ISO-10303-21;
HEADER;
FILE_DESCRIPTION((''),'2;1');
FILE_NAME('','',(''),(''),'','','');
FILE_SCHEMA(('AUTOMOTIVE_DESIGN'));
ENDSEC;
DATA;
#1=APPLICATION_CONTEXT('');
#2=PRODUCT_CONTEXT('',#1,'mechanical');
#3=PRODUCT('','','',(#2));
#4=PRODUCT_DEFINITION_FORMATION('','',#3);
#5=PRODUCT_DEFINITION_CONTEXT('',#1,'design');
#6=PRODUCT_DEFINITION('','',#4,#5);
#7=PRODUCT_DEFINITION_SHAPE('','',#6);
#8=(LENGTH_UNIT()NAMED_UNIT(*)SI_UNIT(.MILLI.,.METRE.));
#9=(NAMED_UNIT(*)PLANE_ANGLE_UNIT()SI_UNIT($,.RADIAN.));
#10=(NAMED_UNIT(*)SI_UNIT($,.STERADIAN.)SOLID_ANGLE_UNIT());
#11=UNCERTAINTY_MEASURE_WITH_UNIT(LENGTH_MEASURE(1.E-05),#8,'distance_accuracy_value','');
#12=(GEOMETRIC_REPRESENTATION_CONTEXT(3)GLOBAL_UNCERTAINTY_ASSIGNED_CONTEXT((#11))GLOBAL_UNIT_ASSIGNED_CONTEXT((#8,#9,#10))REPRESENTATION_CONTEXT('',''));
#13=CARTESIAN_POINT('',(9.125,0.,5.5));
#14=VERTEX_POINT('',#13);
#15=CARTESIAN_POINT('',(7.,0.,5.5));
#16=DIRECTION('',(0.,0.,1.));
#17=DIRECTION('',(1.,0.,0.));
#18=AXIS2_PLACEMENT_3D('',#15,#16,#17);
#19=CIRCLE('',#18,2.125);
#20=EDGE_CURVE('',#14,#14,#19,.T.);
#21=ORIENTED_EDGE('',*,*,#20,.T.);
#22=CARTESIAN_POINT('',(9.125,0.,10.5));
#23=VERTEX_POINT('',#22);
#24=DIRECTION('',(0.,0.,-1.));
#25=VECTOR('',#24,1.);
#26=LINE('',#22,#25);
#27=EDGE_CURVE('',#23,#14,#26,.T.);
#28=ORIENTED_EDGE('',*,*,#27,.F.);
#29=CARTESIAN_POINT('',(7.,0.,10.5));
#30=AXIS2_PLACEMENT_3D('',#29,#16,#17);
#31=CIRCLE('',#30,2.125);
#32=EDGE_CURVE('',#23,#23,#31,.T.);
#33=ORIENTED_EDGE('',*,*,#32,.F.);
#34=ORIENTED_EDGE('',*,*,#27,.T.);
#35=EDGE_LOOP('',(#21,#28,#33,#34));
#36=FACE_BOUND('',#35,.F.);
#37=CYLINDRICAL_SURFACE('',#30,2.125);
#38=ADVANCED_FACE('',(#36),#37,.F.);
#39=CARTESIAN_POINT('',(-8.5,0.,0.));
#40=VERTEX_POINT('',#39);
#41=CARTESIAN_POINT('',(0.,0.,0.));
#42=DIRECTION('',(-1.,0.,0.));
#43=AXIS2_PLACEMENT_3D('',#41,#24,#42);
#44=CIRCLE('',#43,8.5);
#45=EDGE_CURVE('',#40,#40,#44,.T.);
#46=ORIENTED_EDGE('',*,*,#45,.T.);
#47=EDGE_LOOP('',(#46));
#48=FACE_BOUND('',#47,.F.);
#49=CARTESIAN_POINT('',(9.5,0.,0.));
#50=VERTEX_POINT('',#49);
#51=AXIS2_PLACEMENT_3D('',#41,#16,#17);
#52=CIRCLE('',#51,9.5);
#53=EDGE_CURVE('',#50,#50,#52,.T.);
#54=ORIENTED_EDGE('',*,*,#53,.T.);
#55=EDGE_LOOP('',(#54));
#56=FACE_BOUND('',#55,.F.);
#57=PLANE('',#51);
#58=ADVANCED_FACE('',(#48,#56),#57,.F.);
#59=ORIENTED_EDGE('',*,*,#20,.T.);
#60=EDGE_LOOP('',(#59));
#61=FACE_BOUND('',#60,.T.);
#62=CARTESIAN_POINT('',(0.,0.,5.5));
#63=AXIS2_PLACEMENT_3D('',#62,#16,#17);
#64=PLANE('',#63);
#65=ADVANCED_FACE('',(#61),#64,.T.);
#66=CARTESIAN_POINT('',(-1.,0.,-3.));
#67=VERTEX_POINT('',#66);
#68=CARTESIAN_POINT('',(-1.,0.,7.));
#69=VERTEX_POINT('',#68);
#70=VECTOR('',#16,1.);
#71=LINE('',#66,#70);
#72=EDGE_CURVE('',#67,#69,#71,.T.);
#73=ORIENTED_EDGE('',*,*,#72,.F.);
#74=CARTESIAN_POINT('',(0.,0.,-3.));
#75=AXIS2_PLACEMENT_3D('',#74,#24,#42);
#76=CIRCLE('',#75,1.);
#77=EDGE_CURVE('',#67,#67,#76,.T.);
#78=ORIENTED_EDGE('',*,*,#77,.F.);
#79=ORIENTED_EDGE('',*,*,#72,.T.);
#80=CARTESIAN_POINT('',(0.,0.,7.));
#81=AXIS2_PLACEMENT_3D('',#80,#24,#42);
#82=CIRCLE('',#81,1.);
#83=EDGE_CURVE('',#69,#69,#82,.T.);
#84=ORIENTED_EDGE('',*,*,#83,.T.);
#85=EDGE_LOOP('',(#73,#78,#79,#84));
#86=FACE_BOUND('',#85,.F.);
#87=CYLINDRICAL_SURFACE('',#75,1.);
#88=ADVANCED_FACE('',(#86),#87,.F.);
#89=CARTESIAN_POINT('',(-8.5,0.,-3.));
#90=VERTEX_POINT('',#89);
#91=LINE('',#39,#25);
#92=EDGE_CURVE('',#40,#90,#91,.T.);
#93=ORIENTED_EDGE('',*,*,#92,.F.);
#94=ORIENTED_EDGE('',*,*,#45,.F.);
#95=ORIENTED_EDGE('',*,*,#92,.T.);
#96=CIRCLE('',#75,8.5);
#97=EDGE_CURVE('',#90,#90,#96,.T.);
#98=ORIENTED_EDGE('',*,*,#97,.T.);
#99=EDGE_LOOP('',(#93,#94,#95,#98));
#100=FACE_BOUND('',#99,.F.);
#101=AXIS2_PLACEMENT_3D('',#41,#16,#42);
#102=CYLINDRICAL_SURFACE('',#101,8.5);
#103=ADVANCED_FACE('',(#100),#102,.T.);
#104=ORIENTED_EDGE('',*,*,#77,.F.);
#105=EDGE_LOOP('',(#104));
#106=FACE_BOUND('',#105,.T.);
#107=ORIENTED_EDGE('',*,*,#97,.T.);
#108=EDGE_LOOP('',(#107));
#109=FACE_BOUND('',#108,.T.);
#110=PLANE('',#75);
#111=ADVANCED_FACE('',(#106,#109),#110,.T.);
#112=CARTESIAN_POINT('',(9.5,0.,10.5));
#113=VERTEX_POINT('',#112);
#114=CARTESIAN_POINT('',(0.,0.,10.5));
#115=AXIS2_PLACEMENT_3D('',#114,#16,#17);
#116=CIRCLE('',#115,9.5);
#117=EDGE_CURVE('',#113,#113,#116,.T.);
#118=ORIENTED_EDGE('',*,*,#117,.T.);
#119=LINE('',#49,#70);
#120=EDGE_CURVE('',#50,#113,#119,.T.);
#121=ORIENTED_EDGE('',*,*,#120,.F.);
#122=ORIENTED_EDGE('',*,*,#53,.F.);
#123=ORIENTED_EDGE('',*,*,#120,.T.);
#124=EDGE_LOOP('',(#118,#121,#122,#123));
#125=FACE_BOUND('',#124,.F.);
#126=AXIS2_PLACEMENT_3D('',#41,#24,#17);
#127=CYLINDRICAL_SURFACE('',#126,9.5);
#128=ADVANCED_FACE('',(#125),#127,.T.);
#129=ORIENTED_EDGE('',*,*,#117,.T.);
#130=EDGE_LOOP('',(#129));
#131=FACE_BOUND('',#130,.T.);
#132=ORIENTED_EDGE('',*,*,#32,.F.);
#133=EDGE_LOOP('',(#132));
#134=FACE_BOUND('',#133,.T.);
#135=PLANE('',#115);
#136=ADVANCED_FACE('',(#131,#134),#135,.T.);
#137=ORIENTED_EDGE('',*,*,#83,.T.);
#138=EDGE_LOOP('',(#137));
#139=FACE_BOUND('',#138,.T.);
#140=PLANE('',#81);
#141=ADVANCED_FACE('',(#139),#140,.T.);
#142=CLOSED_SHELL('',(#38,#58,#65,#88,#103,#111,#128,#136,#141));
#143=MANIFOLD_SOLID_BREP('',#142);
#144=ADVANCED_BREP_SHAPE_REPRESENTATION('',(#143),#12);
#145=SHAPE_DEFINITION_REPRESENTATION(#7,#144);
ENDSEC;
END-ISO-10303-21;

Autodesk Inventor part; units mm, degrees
ref_plane "YZ Plane" through (0, 0, 0) normal (1, 0, 0) x (0, 1, 0)
ref_plane "XZ Plane" through (0, 0, 0) normal (0, 1, 0) x (-1, 0, 0)
ref_plane "XY Plane" through (0, 0, 0) normal (0, 0, 1) x (1, 0, 0)
sketch "Sketch1" plane through (0, 0, 0) normal (0, 0, 1) x (1, 0, 0)
  circle A0 centre (0, 0) radius 9.5
  arc A1 (-3.096, -4.5458) -> (5.2116, 1.7576) centre (0, 0) ccw projected
  point P0 (0, 0)
  dimension "d0" = 19
extrude "Extrusion1" add sketch "Sketch1" along normal blind 10.5
sketch "Sketch2" plane through (0, 0, 10.5) normal (0, 0, 1) x (1, 0, 0)
  circle A0 centre (0, 0) radius 9.5 projected
  line L0 (9.5, 0) -> (7, 0)
  circle A1 centre (7, 0) radius 2.125
  point P0 (0, 0)
  dimension "d3" = 2.5
  dimension "d4" = 4.25
extrude "Extrusion2" cut sketch "Sketch2" against normal blind 5 contours A1
sketch "Sketch3" plane through (0, 0, 0) normal (0, 0, -1) x (-1, 0, 0)
  circle A0 centre (0, 0) radius 5 projected
  circle A1 centre (0, 0) radius 9.5 projected
  circle A2 centre (0, 0) radius 8.5
  point P0 (0, 0)
  dimension "d7" = 17
extrude "Extrusion3" add sketch "Sketch3" along normal blind 3 contours A0 | A2
sketch "Sketch5" plane through (0, 0, -3) normal (0, 0, -1) x (-1, 0, 0)
  circle A0 centre (0, 0) radius 1
  dimension "d13" = 2
extrude "Extrusion5" cut sketch "Sketch5" against normal blind 10
properties part number "RotationDisk"
